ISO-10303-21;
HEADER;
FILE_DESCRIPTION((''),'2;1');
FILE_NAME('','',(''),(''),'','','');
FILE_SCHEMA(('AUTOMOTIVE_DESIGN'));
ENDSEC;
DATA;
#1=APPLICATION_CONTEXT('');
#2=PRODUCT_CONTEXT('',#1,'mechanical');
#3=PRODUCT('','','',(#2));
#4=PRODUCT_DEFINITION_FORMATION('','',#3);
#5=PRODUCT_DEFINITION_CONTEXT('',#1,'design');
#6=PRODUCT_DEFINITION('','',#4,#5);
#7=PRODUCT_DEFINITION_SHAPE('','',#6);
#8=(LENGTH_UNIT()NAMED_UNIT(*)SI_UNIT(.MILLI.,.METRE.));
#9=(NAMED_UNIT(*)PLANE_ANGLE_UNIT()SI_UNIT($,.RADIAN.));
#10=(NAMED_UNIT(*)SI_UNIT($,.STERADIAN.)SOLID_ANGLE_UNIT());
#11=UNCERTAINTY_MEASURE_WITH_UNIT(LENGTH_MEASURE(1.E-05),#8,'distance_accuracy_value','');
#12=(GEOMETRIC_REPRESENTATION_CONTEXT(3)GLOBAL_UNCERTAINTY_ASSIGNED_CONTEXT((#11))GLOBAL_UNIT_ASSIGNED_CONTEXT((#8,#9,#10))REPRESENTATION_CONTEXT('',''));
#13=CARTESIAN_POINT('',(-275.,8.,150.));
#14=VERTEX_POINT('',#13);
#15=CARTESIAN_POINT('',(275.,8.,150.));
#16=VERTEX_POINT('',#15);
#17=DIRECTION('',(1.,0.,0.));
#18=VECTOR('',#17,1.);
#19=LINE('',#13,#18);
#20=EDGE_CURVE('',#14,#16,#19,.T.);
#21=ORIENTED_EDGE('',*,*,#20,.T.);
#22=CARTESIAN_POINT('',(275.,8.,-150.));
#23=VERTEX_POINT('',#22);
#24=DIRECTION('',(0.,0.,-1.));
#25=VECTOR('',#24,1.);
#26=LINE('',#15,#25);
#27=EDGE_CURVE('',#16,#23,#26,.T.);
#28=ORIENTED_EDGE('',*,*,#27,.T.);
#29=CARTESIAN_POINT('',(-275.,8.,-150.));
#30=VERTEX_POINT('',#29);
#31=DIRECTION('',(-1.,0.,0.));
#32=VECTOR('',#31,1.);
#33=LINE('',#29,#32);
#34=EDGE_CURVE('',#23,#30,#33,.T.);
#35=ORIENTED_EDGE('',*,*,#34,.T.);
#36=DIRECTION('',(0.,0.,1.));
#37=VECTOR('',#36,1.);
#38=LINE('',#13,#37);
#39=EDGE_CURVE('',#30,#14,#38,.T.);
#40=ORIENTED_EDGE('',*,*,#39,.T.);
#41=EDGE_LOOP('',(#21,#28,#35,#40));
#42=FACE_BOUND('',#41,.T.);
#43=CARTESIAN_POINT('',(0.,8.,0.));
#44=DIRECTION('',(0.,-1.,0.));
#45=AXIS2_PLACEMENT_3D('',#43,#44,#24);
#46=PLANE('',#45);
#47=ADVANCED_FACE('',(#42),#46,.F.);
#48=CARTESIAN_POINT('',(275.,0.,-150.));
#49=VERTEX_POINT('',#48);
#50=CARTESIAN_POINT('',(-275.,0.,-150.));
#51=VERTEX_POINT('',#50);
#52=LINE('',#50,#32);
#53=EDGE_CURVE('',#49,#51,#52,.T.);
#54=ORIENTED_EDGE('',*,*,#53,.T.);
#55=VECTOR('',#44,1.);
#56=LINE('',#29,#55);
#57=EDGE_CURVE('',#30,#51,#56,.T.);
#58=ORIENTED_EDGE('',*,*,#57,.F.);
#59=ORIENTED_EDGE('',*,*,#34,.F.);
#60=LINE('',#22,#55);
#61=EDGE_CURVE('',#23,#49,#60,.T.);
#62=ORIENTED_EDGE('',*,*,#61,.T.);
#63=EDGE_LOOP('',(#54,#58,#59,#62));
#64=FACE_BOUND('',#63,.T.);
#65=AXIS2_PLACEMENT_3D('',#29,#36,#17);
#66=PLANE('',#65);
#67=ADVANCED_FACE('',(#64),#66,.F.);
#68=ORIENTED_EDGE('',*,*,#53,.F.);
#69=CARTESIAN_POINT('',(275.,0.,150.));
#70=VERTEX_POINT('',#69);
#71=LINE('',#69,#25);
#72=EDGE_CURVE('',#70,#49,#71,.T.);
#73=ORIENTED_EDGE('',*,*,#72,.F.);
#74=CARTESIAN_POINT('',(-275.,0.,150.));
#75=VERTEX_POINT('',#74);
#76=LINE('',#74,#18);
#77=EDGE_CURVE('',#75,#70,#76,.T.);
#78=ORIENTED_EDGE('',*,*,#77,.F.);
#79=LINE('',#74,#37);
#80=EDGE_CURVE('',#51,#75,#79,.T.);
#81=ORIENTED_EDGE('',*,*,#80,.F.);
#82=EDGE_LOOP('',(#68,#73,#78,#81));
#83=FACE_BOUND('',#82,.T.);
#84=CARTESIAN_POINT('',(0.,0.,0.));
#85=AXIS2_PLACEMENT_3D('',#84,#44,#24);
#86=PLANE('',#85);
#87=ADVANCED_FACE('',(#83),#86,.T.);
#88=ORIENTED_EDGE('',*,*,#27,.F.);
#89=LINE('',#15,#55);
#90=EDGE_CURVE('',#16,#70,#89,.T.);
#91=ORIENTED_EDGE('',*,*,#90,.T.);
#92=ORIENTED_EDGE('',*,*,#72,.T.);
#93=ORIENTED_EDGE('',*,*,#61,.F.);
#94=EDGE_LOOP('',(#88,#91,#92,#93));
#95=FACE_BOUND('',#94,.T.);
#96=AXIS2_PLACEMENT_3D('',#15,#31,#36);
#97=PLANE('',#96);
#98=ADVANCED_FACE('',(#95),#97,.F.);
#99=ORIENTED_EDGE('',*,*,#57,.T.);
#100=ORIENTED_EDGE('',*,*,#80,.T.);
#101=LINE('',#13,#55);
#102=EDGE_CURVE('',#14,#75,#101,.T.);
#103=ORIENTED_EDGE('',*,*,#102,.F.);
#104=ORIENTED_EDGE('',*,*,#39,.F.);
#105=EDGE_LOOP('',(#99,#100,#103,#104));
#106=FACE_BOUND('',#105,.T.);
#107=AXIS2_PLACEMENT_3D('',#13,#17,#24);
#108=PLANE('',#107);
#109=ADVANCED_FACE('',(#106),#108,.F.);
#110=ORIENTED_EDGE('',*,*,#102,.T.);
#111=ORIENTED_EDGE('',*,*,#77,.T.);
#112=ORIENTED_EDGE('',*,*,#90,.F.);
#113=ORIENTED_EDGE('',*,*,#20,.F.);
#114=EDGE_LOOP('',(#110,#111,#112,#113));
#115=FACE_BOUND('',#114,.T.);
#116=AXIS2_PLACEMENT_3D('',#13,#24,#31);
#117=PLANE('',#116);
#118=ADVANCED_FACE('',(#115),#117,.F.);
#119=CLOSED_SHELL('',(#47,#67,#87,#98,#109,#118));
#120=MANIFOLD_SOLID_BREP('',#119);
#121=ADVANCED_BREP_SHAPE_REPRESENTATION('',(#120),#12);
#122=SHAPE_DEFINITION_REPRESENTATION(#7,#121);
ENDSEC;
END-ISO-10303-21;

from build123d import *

# Parameters (mm, degrees)
SKETCH1_W           = 550
SKETCH1_H           = 300
BOSS_EXTRUDE1_DEPTH = 8


with BuildPart() as part:
    # Sketch1 → Boss-Extrude1 (new body)
    with BuildSketch(Plane(origin=(0, 0, 0), x_dir=(1, 0, 0), z_dir=(0, 1, 0))):
        Rectangle(SKETCH1_W, SKETCH1_H)
    extrude(amount=BOSS_EXTRUDE1_DEPTH)


solid = part.part
